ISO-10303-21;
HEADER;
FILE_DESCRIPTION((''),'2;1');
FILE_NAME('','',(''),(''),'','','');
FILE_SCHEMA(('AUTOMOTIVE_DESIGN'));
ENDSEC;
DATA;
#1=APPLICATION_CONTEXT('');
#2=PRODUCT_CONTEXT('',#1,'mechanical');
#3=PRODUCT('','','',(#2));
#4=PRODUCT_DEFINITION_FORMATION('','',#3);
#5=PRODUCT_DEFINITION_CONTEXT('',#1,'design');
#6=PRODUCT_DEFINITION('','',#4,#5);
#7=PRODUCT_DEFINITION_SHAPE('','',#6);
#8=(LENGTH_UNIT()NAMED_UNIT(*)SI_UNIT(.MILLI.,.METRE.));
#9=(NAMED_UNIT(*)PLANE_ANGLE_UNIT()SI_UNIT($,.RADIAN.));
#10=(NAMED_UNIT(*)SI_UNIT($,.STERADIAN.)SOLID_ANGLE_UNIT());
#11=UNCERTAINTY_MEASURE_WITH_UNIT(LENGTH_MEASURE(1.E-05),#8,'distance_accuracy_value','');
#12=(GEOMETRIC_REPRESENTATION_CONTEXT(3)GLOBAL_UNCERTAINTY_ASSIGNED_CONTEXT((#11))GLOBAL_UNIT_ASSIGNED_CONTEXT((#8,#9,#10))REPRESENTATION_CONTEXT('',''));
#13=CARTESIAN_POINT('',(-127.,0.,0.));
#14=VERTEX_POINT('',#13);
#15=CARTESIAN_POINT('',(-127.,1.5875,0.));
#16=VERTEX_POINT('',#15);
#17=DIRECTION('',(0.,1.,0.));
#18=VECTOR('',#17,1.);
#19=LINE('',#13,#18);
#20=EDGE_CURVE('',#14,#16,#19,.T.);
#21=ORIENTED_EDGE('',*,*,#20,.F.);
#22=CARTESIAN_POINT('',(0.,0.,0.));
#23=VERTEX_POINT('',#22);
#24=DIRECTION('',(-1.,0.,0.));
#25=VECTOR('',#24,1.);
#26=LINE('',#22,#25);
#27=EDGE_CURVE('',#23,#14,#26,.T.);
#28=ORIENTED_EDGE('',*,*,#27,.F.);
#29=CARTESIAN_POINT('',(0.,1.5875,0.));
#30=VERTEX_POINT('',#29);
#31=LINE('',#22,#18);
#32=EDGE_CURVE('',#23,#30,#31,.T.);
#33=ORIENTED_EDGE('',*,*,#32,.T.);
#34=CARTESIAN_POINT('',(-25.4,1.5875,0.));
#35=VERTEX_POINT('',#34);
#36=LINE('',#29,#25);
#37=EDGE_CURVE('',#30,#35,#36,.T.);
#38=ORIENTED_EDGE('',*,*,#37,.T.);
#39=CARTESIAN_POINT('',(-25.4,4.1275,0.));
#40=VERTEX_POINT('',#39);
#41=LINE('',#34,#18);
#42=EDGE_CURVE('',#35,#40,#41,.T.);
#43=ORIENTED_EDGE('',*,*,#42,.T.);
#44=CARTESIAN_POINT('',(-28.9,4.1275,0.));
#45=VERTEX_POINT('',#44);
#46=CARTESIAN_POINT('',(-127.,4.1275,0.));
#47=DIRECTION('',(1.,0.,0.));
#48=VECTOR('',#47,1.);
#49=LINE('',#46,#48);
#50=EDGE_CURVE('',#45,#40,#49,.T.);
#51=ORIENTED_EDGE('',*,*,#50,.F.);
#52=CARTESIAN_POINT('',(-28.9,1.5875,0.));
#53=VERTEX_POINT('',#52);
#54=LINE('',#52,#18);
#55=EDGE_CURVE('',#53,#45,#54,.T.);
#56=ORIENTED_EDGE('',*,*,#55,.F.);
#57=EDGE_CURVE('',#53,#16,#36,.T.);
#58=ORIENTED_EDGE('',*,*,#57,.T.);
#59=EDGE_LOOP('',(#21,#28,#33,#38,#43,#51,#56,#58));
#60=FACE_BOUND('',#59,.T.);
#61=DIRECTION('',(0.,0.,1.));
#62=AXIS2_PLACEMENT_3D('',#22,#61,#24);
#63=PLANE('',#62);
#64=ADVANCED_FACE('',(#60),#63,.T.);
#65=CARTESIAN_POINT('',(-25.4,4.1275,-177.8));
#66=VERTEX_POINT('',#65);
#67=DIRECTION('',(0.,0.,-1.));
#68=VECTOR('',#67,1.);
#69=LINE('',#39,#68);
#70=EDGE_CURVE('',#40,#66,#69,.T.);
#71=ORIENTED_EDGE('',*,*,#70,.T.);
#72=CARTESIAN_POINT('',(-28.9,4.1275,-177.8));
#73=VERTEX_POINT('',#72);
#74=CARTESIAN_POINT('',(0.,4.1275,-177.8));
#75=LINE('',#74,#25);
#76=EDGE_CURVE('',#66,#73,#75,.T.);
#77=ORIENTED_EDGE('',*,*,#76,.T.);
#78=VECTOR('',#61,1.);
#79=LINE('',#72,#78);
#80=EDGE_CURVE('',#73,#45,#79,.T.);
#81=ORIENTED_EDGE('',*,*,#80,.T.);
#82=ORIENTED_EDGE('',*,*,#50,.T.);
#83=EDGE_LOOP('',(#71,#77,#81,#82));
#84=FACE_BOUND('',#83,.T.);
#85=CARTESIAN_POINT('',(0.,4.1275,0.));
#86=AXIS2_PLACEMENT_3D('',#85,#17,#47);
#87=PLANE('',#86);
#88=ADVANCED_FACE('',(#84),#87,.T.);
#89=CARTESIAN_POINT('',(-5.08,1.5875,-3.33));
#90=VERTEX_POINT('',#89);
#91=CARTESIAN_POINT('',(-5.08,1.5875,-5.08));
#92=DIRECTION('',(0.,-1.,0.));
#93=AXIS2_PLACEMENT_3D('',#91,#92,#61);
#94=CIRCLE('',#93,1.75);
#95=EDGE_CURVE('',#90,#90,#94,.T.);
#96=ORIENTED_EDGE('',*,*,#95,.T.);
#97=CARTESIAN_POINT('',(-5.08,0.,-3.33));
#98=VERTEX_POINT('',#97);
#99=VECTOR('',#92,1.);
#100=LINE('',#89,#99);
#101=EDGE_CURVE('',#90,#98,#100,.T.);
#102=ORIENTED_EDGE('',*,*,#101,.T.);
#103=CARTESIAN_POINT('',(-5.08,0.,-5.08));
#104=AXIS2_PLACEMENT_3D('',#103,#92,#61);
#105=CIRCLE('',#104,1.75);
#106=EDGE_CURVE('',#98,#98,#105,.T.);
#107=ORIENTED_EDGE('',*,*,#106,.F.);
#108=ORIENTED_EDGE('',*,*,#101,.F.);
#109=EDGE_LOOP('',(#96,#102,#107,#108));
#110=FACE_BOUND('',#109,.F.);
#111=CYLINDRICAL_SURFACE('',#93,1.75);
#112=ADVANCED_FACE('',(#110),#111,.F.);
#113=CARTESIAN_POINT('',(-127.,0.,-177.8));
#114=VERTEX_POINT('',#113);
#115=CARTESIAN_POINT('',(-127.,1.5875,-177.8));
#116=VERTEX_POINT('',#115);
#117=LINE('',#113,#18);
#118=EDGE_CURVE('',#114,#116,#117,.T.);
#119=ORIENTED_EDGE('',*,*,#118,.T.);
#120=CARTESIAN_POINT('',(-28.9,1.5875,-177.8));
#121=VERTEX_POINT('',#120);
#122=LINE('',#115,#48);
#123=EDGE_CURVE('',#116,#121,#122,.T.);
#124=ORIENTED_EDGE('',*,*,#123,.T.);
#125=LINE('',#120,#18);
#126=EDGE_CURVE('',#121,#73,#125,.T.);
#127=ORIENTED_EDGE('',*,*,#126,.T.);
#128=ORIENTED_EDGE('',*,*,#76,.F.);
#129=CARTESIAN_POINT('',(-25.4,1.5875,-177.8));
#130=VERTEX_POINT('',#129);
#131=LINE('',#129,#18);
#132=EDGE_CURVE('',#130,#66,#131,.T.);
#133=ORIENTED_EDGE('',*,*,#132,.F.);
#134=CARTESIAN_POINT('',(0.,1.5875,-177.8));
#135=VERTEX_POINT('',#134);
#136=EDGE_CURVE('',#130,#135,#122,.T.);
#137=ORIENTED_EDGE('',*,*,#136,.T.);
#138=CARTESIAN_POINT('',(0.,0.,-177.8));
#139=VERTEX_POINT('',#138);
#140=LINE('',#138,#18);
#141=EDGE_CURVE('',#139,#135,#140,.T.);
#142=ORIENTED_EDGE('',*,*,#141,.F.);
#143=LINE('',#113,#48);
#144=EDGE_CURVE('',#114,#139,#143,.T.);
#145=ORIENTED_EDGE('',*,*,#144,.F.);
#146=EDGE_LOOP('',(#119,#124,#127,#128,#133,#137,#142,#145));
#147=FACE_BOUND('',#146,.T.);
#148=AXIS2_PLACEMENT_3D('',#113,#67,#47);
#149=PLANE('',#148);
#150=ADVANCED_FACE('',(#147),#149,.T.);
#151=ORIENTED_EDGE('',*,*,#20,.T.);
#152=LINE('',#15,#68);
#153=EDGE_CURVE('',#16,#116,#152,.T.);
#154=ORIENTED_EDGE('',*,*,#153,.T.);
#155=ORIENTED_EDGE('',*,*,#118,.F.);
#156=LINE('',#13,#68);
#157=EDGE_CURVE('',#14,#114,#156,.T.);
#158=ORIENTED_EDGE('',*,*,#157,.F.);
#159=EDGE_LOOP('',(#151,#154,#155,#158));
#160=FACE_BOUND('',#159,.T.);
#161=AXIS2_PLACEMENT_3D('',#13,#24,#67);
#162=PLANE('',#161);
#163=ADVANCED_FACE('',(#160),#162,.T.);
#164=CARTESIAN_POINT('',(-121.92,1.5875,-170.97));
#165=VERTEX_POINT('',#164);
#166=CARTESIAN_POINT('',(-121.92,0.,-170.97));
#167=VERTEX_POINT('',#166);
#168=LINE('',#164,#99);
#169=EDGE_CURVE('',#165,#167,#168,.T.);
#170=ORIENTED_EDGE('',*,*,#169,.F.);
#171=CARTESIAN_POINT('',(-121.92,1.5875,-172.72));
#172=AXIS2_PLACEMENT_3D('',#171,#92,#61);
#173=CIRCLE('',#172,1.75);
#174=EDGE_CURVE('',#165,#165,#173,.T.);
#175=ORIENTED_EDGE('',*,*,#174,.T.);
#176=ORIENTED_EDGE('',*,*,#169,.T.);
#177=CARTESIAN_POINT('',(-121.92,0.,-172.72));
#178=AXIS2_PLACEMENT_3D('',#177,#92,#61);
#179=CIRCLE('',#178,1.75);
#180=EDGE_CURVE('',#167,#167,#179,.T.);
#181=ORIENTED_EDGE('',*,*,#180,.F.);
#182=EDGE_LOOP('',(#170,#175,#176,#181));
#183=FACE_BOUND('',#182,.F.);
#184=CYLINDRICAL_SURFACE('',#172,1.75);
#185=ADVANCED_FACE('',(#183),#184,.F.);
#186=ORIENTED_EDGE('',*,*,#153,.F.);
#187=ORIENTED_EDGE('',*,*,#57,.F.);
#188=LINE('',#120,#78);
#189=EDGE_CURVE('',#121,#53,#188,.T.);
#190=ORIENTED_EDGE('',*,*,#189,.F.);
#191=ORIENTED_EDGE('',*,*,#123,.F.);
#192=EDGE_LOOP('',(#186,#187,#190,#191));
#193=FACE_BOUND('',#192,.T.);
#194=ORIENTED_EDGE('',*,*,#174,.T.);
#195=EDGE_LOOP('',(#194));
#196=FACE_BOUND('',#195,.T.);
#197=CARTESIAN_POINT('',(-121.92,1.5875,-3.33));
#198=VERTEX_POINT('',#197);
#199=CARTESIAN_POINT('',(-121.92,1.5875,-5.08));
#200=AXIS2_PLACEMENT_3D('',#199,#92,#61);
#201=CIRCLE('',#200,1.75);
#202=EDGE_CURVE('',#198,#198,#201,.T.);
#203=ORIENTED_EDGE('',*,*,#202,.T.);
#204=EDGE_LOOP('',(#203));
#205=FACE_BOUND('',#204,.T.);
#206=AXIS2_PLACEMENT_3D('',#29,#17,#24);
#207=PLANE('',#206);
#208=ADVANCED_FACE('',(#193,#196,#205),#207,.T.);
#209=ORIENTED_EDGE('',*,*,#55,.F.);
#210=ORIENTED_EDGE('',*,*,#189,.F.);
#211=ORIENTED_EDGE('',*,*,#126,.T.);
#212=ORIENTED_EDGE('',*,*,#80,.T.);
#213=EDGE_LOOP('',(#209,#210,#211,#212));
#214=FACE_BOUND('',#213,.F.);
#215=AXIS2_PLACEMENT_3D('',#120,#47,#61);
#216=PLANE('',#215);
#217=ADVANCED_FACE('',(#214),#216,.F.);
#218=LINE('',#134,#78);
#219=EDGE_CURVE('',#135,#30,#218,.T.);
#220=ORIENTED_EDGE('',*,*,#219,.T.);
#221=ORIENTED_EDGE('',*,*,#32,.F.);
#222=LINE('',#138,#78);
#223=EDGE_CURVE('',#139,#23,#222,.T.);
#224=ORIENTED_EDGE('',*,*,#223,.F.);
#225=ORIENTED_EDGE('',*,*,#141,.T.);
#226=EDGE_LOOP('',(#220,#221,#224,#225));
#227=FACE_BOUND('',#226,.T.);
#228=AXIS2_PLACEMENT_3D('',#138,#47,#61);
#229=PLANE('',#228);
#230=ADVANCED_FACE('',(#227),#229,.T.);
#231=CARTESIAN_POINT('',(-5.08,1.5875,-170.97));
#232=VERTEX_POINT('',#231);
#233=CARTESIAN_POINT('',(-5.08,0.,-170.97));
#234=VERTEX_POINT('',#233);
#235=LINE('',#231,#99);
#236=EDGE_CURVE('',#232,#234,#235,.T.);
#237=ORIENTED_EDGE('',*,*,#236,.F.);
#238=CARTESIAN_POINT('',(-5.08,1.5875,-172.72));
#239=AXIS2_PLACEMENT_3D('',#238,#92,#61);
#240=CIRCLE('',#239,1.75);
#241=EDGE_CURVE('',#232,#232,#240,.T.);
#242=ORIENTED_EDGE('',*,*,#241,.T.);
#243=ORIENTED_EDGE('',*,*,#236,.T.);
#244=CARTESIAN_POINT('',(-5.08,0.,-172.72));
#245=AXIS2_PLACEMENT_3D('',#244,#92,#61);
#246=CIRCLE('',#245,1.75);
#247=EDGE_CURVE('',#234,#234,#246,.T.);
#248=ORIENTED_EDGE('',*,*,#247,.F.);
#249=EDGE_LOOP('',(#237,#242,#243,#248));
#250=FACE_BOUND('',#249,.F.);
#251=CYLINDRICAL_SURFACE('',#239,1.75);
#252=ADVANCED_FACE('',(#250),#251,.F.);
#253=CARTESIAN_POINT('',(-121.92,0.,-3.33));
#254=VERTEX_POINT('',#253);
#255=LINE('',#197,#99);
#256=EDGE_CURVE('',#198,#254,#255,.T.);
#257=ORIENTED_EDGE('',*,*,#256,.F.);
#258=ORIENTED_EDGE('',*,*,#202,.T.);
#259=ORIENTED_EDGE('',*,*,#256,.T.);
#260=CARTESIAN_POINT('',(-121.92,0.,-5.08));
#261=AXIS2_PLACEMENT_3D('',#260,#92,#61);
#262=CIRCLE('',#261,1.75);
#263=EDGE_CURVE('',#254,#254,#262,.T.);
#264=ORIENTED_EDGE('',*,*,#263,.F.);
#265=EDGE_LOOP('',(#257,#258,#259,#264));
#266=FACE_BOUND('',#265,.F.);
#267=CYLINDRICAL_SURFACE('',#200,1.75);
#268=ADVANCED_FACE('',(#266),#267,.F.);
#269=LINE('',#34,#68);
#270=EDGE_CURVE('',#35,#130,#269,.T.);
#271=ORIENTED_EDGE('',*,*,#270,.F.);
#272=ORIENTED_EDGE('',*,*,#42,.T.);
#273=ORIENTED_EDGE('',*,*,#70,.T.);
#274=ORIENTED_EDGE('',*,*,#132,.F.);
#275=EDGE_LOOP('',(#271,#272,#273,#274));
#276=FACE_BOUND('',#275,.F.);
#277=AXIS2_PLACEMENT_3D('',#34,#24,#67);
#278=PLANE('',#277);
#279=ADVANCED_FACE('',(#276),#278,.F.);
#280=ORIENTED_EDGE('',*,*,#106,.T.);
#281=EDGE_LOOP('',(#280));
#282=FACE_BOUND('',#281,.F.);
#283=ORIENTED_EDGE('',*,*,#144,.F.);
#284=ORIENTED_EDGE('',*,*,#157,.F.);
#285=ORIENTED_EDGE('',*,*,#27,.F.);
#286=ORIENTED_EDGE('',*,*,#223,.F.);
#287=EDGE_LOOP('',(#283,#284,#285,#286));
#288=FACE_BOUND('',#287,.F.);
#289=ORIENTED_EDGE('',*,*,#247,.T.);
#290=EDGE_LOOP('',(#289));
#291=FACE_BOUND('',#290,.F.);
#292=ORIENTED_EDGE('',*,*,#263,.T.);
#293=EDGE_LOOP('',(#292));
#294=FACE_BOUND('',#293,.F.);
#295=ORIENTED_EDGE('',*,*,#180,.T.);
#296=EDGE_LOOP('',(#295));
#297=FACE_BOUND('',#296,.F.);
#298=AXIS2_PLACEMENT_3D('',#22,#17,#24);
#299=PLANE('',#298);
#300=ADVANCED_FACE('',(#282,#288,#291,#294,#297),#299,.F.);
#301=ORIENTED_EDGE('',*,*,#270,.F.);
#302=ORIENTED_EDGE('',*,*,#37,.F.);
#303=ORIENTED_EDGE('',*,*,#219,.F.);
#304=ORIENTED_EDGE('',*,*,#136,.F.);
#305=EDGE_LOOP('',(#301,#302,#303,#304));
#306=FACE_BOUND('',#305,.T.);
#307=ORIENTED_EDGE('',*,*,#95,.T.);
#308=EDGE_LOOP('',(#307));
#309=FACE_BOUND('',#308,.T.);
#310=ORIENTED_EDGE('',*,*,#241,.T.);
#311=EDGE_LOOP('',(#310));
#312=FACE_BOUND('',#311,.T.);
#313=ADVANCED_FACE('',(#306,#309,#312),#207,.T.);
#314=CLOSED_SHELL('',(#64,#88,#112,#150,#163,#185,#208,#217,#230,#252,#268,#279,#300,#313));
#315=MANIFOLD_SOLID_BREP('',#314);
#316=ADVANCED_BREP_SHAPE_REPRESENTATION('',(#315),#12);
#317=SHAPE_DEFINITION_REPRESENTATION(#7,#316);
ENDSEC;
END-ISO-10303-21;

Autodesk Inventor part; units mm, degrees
ref_plane "YZ Plane" through (0, 0, 0) normal (1, 0, 0) x (0, 1, 0)
ref_plane "XZ Plane" through (0, 0, 0) normal (0, 1, 0) x (-1, 0, 0)
ref_plane "XY Plane" through (0, 0, 0) normal (0, 0, 1) x (1, 0, 0)
sketch "Sketch1" plane through (0, 0, 0) normal (0, 1, 0) x (-1, 0, 0)
  line L0 (0, 0) -> (127, 0)
  line L1 (127, 0) -> (127, -177.8)
  line L2 (127, -177.8) -> (0, -177.8)
  line L3 (0, -177.8) -> (0, 0)
  dimension "d0" = 127
  dimension "d1" = 177.8
extrude "Extrusion1" add sketch "Sketch1" along normal blind 1.5875
sketch "Sketch2" plane through (0, 1.5875, 0) normal (0, 1, 0) x (1, 0, 0)
  line L0 (-127, 177.8) -> (-127, 0) projected
  line L1 (0, 177.8) -> (-127, 177.8) projected
  line L2 (0, 0) -> (0, 177.8) projected
  line L3 (-127, 0) -> (0, 0) projected
  point P0 (-121.92, 172.72)
  point P1 (-5.08, 172.72)
  point P2 (-5.08, 5.08)
  point P3 (-121.92, 5.08)
  dimension "d4" = 5.08
  dimension "d5" = 5.08
  dimension "d6" = 5.08
  dimension "d7" = 5.08
  dimension "d8" = 5.08
  dimension "d9" = 5.08
  dimension "d10" = 5.08
  dimension "d11" = 5.08
hole "Hole1" at (-121.92, 1.5875, -172.72) at (-5.08, 1.5875, -172.72) at (-5.08, 1.5875, -5.08) at (-121.92, 1.5875, -5.08) direction (0, -1, 0) diameter 3.5 end through all
sketch "Sketch3" plane through (0, 1.5875, 0) normal (0, 1, 0) x (1, 0, 0)
  circle A0 centre (-5.08, 5.08) radius 1.75 projected
  circle A1 centre (-121.92, 172.72) radius 1.75 projected
  circle A2 centre (-5.08, 172.72) radius 1.75 projected
  circle A3 centre (-121.92, 5.08) radius 1.75 projected
  line L0 (-127, 0) -> (0, 0) projected
  line L1 (0, 0) -> (0, 177.8) projected
  line L2 (0, 177.8) -> (-127, 177.8) projected
  line L3 (-127, 177.8) -> (-127, 0) projected
  line L4 (-127, 0) -> (0, 0) projected
  line L5 (0, 177.8) -> (-127, 177.8) projected
  line L6 (-28.9, 0) -> (-25.4, 0)
  line L7 (-25.4, 0) -> (-25.4, 177.8)
  line L8 (-25.4, 177.8) -> (-28.9, 177.8)
  line L9 (-28.9, 177.8) -> (-28.9, 0)
  dimension "d19" = 3.5
  dimension "d23" = 25.4
extrude "Extrusion2" add sketch "Sketch3" along normal blind 2.54 contours L9 L2 L7 L0
properties part number "MockPCB"
